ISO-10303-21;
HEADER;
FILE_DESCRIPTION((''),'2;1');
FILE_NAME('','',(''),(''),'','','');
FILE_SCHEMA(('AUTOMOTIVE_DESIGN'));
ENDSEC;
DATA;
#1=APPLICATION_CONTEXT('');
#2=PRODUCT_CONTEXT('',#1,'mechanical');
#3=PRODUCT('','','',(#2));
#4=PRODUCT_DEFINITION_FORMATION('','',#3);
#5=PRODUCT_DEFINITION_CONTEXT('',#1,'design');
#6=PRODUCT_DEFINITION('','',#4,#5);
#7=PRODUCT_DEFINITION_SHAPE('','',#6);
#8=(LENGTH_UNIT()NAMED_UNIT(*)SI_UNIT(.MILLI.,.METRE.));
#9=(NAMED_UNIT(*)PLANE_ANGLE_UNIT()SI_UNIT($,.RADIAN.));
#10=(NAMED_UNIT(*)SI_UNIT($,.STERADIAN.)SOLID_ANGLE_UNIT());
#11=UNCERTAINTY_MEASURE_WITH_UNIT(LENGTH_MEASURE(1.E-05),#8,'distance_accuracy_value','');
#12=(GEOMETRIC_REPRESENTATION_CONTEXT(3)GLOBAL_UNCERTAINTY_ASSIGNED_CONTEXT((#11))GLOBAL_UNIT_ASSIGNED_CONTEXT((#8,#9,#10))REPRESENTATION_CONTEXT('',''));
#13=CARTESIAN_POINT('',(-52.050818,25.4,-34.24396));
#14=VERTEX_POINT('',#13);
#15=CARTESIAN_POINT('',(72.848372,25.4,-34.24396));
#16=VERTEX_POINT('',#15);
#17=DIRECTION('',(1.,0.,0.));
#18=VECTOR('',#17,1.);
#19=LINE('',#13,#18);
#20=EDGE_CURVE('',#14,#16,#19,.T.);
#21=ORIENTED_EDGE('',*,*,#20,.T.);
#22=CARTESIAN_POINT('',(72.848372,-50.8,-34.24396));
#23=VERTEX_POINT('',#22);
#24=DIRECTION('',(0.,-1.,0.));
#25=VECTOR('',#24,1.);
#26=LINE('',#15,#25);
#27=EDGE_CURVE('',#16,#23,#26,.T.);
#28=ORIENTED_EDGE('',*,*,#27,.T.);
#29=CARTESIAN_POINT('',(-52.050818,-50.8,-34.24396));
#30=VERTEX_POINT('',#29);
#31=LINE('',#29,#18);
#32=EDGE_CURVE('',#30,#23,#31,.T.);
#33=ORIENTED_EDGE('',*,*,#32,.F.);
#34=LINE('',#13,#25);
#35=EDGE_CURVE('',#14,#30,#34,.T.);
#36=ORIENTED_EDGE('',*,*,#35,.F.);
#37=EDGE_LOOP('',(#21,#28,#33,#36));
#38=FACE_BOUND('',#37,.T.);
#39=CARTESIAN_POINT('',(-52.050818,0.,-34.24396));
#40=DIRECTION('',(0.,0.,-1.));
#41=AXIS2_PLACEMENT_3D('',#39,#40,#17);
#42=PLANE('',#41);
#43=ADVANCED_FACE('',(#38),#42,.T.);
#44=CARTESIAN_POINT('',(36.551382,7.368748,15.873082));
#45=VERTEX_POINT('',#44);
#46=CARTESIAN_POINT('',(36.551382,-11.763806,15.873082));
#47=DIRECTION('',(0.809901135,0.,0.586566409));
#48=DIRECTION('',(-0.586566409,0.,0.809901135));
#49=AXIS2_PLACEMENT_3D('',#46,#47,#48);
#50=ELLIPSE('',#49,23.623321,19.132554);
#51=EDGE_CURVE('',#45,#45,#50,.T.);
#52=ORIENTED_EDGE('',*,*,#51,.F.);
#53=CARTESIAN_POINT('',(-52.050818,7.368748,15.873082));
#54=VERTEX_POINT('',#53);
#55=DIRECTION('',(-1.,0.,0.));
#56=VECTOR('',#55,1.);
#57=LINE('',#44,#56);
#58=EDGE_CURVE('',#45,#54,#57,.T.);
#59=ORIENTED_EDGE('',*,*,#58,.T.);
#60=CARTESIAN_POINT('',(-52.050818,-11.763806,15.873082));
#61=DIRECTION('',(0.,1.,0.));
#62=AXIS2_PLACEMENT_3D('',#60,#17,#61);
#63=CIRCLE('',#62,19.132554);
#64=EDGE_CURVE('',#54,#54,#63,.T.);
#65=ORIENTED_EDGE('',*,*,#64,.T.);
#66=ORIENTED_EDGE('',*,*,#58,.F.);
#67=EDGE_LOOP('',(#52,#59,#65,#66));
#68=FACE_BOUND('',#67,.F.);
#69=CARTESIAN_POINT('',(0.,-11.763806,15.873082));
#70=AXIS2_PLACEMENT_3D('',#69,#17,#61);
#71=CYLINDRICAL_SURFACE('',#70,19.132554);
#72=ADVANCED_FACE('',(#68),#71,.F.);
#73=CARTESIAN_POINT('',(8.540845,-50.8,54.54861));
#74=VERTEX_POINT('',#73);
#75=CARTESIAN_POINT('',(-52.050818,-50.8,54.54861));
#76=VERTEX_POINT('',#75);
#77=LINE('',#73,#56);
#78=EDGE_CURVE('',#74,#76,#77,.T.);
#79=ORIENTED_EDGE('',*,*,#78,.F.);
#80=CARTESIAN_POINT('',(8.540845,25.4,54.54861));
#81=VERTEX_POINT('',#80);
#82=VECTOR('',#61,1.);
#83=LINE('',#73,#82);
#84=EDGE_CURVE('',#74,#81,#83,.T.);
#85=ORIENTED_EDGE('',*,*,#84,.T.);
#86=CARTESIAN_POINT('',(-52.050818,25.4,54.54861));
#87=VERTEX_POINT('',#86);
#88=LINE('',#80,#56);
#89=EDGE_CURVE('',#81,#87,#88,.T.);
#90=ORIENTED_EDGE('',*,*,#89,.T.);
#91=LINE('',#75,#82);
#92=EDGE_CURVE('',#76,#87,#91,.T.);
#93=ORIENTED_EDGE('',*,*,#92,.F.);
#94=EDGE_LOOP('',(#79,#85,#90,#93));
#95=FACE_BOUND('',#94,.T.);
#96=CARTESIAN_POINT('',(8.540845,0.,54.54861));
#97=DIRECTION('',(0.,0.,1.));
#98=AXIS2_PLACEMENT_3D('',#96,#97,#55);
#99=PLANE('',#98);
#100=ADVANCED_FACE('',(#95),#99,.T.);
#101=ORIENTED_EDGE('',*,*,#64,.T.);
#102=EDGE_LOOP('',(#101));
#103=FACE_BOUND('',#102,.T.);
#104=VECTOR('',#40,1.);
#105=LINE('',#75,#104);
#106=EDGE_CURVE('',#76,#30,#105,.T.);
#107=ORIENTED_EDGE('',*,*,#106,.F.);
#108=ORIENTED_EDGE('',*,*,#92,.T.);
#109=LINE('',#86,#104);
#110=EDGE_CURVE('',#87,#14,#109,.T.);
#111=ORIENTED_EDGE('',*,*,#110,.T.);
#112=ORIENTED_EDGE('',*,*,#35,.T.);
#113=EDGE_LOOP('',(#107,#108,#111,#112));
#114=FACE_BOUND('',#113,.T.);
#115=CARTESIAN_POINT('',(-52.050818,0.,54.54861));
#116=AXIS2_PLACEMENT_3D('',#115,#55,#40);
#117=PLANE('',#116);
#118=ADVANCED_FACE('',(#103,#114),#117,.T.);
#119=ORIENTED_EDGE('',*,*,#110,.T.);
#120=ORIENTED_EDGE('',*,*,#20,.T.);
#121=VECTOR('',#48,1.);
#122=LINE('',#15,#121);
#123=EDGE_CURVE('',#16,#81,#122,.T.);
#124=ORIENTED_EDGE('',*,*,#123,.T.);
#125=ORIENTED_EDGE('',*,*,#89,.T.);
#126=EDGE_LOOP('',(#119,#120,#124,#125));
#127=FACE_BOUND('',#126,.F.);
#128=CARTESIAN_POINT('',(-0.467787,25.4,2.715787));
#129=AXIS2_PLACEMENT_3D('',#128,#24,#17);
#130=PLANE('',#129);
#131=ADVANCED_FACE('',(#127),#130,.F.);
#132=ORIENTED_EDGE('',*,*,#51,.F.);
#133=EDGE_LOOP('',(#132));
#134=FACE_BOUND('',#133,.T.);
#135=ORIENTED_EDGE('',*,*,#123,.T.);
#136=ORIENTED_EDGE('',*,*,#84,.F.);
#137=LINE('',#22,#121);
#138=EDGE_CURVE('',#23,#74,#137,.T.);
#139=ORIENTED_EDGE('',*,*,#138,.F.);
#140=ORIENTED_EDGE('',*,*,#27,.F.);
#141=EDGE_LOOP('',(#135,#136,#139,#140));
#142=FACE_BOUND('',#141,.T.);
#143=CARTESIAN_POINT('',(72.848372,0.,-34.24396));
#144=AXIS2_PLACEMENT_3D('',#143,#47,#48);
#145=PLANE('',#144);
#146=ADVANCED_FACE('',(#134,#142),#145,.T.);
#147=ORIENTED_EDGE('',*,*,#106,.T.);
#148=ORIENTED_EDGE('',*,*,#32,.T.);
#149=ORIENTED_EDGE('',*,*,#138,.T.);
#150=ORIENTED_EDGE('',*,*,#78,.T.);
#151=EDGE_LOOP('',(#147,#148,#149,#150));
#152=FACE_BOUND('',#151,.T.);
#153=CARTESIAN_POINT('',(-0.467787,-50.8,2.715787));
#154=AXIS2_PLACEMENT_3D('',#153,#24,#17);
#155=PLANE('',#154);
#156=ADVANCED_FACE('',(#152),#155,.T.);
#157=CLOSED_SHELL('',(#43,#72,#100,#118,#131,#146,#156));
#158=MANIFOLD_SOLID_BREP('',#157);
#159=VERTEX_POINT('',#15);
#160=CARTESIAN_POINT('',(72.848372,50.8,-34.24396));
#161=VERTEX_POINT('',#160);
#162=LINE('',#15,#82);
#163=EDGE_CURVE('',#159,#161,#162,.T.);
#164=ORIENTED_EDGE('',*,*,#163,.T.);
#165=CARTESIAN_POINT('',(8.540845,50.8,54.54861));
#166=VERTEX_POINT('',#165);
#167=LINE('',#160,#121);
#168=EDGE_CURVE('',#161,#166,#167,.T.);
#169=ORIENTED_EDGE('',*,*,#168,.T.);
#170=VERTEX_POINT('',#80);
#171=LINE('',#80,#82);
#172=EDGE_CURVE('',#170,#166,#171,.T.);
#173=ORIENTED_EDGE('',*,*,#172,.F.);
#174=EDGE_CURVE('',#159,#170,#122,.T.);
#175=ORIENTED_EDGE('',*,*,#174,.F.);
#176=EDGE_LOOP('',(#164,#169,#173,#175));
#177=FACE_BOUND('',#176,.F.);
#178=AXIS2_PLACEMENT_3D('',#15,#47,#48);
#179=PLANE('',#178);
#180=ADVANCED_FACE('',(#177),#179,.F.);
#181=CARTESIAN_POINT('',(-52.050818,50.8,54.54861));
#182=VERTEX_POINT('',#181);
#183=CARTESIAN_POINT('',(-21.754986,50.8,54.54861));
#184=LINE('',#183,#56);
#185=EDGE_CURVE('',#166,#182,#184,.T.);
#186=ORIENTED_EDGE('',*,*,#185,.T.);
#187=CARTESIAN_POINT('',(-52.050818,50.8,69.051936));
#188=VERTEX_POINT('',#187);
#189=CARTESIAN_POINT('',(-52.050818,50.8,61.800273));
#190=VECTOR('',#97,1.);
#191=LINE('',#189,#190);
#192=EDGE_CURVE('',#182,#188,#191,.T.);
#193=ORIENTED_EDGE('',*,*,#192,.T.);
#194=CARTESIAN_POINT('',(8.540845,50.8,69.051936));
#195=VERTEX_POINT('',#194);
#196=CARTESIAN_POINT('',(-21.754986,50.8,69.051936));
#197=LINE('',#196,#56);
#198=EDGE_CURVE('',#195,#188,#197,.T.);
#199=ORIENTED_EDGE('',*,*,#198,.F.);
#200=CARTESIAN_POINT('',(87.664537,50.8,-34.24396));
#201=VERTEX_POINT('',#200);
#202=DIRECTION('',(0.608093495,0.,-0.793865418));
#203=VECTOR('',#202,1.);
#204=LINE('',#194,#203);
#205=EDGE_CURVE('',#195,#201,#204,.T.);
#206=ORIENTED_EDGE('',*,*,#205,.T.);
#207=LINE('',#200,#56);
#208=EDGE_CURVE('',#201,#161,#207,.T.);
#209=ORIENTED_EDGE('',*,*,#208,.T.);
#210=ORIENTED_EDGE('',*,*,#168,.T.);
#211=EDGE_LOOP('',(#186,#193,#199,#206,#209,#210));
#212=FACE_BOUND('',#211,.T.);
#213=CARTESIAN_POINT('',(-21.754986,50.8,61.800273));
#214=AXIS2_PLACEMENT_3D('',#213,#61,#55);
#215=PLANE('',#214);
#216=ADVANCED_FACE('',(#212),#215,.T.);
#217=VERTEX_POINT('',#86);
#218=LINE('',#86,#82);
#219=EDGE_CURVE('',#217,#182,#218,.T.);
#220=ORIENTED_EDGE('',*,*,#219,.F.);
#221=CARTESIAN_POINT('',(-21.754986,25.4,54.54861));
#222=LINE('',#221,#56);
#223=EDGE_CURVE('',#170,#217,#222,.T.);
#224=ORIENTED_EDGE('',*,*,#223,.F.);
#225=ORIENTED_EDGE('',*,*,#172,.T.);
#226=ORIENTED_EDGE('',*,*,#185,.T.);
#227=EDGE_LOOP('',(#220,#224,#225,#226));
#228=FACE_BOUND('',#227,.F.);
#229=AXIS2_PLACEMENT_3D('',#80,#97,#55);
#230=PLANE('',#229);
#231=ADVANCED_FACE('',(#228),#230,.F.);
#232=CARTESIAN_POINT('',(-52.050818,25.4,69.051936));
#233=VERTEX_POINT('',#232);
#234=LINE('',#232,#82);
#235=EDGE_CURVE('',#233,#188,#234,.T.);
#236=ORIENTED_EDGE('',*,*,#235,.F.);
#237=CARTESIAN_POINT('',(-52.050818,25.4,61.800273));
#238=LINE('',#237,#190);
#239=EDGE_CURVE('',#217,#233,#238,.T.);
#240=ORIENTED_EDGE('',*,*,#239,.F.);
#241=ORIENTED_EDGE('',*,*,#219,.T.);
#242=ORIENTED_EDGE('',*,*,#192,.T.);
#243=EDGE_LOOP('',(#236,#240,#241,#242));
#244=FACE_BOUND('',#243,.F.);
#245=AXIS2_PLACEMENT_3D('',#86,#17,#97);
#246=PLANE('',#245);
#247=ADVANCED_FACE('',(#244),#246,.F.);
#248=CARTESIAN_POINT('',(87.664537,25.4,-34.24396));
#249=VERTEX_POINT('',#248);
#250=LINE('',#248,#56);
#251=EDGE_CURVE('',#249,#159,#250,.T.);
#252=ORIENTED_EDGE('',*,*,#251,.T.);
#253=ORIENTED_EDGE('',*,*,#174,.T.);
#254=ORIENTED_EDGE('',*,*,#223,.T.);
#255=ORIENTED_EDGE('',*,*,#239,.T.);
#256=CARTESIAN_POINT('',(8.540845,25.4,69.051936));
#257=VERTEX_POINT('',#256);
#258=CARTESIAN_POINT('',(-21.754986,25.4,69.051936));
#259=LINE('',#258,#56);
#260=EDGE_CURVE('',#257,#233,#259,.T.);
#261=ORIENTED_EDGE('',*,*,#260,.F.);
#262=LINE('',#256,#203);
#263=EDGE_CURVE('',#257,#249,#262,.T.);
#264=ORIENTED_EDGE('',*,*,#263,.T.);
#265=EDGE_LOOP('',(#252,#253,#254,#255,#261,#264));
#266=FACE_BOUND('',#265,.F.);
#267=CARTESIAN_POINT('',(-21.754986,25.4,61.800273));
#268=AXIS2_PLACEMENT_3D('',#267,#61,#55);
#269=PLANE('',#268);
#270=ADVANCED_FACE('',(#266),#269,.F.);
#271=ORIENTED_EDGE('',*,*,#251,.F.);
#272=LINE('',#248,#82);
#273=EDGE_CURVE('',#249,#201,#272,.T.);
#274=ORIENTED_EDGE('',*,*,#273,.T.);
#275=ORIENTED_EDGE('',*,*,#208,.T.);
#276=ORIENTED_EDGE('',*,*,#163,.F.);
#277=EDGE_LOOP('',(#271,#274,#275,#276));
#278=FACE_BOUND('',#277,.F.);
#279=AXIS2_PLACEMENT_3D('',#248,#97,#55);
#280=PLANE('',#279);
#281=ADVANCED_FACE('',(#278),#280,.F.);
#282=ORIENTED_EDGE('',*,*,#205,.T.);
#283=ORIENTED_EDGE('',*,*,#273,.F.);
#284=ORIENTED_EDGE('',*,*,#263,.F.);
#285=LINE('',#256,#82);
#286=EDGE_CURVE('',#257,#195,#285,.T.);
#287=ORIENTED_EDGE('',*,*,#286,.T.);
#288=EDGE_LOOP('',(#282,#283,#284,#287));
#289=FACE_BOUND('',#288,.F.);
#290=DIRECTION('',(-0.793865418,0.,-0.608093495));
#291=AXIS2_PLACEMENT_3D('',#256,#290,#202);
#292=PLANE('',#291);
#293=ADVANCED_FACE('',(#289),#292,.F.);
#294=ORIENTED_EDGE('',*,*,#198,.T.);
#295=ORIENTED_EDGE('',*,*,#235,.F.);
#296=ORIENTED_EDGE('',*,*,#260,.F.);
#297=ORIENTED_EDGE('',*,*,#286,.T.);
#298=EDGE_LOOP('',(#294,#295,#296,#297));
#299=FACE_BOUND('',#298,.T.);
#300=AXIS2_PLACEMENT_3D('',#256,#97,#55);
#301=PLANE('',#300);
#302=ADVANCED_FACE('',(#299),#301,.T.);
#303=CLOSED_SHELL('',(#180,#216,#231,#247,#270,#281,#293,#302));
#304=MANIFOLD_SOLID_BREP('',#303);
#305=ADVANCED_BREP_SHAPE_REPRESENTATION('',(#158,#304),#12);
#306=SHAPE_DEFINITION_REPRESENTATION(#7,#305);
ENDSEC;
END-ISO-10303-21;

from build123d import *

# Parameters (mm, degrees)
F1_DEPTH      = 50.8
F1_DEPTH_BACK = 25.4
F2_W          = 60.5916632339
F2_H          = 14.503326267
F3_DEPTH      = 25.4
F4_R          = 19.1325544218
F5_DEPTH      = 90.678
F5_DEPTH_BACK = 117.602


with BuildPart() as f1:
    # F0 (on Front) → F1 (new body, two sides)
    with BuildSketch(Plane.XZ) as f1_sk:
        Polygon((-52.0508177578, 54.5486100018), (-52.0508177578, -34.2439599335), (8.5408454761, -34.2439599335), (72.8483721614, -34.2439599335), (8.5408454761, 54.5486100018), align=None)
    extrude(amount=F1_DEPTH)
    extrude(f1_sk.sketch, amount=-F1_DEPTH_BACK)

    # F4 (on Right) → F5 (cut, two sides)
    with BuildSketch(Plane.YZ) as f5_sk:
        with Locations((-11.7638064548, 15.8730819821)):
            Circle(F4_R)
    extrude(amount=F5_DEPTH, mode=Mode.SUBTRACT)
    extrude(f5_sk.sketch, amount=-F5_DEPTH_BACK, mode=Mode.SUBTRACT)


with BuildPart() as f3:
    # F2 (on face) → F3 (new body)
    with BuildSketch(Plane(origin=(0, 25.4, 0), x_dir=(-1, 0, 0), z_dir=(0, 1, 0))):
        with Locations((21.7549861409, 61.8002731353)):
            Rectangle(F2_W, F2_H)
        Polygon((-72.8483721614, -34.2439599335), (-8.5408454761, 54.5486100018), (-8.5408454761, 69.0519362688), (-87.6645371318, -34.2439599335), align=None)
    extrude(amount=F3_DEPTH)


solid = Compound([f1.part, f3.part])
